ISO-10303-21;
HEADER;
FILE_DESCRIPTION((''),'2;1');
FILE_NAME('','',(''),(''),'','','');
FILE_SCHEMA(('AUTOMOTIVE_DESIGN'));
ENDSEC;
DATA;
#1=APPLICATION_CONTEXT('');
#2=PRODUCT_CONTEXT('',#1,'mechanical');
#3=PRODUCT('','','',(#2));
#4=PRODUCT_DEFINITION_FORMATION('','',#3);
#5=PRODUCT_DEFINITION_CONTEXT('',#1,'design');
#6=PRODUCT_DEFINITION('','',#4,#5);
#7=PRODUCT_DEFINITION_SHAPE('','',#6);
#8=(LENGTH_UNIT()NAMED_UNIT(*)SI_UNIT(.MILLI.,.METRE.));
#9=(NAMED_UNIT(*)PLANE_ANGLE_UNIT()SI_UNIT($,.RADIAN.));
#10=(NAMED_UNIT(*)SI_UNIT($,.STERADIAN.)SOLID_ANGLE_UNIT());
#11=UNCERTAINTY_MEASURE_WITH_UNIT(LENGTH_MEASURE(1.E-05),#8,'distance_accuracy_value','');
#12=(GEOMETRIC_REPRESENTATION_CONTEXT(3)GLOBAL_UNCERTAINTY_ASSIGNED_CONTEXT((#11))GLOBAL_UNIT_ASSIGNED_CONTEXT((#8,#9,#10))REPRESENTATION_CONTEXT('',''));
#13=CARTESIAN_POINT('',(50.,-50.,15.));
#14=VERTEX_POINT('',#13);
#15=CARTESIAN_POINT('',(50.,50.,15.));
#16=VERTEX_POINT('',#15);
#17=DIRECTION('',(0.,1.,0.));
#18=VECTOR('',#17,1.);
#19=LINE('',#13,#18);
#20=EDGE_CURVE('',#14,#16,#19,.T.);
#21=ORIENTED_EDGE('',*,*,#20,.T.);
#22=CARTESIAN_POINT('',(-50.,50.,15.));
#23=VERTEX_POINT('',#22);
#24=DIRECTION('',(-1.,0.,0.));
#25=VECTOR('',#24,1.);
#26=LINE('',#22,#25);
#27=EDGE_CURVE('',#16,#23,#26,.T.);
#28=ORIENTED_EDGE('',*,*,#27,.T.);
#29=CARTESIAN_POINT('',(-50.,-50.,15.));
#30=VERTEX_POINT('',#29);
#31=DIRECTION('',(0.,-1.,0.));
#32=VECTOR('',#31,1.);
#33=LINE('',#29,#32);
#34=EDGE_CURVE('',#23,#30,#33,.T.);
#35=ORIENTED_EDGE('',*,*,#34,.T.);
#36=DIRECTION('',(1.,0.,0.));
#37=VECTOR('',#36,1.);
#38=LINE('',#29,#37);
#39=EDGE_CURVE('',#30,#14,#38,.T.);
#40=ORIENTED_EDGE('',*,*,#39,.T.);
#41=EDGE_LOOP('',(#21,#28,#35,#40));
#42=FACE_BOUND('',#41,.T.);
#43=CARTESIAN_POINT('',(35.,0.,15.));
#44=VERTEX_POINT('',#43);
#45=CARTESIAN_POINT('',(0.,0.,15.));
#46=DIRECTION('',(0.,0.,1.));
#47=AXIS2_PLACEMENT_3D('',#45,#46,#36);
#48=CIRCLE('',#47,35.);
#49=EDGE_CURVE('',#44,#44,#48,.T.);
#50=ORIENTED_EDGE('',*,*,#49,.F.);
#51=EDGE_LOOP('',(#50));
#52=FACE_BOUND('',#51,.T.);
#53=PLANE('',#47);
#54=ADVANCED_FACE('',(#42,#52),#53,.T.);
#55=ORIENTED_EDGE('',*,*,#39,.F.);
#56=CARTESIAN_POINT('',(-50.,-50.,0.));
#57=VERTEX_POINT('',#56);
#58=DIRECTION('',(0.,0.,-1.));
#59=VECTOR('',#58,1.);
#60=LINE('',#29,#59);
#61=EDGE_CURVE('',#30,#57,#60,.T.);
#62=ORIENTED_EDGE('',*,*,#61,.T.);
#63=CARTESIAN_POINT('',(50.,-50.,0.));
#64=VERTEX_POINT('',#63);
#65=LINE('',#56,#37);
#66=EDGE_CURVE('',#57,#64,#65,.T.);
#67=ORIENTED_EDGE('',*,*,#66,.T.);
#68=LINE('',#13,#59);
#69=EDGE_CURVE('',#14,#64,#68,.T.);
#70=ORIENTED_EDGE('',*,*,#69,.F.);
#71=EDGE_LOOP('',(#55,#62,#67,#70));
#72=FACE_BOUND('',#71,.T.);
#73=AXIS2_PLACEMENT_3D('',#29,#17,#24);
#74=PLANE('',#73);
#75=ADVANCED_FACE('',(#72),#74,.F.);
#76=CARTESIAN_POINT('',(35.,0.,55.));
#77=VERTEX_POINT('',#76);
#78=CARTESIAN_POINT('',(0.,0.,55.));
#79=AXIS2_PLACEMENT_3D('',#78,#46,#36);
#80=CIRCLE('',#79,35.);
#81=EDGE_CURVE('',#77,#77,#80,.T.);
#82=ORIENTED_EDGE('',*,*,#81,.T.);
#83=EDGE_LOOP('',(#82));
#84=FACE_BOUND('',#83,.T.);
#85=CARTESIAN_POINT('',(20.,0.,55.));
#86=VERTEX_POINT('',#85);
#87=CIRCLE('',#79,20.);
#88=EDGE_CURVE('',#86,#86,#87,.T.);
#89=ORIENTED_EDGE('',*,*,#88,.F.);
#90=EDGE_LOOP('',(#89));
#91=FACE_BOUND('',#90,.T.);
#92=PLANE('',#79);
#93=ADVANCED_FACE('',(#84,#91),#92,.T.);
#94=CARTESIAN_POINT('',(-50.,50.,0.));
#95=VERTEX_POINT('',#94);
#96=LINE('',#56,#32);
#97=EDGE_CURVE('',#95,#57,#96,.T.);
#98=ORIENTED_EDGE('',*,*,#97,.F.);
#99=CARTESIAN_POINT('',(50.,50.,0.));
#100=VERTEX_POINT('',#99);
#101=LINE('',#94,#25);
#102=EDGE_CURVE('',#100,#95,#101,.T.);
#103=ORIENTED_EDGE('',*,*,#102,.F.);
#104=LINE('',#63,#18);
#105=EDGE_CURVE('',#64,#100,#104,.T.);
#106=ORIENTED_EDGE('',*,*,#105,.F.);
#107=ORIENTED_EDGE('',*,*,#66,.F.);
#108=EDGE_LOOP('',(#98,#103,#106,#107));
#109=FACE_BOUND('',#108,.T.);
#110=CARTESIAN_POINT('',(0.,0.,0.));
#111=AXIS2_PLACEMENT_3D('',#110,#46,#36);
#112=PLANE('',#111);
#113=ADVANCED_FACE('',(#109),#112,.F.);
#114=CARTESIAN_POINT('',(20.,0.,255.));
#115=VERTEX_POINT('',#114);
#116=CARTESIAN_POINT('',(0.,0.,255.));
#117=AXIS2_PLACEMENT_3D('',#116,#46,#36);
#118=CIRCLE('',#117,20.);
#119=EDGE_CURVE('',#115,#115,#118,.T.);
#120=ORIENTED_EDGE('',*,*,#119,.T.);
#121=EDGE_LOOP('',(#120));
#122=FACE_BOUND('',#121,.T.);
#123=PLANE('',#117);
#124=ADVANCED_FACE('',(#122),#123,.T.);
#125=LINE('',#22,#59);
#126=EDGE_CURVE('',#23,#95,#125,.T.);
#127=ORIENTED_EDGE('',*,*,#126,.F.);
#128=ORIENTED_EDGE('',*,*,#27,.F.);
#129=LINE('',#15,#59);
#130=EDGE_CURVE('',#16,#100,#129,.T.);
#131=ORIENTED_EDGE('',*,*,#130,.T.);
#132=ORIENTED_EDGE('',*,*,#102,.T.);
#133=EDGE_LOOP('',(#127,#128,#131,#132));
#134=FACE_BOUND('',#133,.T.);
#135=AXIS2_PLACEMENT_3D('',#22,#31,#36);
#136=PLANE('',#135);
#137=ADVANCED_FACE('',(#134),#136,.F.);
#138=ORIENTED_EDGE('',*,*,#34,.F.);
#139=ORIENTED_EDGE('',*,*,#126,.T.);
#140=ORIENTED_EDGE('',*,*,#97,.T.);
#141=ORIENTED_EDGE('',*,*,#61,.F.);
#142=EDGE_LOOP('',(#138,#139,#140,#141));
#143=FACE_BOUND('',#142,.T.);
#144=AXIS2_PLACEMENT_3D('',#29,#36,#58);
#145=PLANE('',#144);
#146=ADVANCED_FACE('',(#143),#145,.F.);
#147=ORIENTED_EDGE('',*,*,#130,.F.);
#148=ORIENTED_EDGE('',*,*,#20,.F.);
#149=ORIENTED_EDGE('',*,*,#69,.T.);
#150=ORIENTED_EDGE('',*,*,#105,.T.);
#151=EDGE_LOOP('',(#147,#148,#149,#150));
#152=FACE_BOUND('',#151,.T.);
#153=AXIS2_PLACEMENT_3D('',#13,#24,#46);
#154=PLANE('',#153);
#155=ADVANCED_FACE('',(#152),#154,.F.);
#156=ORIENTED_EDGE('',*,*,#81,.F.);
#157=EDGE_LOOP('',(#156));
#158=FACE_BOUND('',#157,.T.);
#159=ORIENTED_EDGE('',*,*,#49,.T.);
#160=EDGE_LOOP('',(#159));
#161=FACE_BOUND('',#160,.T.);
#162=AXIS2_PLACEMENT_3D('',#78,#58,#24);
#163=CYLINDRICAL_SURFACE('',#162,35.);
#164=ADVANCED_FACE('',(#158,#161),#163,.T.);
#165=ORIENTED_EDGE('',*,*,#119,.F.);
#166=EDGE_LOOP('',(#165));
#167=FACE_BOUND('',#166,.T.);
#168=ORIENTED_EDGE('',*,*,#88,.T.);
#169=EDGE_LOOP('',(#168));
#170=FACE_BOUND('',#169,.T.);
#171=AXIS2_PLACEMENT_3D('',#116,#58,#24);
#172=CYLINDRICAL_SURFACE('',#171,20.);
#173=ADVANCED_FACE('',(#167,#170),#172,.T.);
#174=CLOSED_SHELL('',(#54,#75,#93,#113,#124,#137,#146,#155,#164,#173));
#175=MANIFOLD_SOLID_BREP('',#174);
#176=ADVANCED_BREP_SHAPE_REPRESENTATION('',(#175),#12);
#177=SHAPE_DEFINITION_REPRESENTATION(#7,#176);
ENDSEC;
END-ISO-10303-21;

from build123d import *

# Parameters (mm, degrees)
F_1_BASE_W               = 100
F_1_BASE_H               = 100
RESSALTO_EXTRUS_O1_DEPTH = 15
F_2_BASE_EIXO_R          = 35
RESSALTO_EXTRUS_O2_DEPTH = 40
ESBO_O3_R                = 20
RESSALTO_EXTRUS_O3_DEPTH = 200


with BuildPart() as part:
    # 1_Base → Ressalto-extrusão1 (new body)
    with BuildSketch(Plane(origin=(0, 0, 0), x_dir=(0, 1, 0), z_dir=(0, 0, 1))):
        Rectangle(F_1_BASE_W, F_1_BASE_H)
    extrude(amount=RESSALTO_EXTRUS_O1_DEPTH)

    # 2_Base_eixo → Ressalto-extrusão2 (add)
    with BuildSketch(Plane.XY.offset(15)):
        Circle(F_2_BASE_EIXO_R)
    extrude(amount=RESSALTO_EXTRUS_O2_DEPTH)

    # Esboço3 → Ressalto-extrusão3 (add)
    with BuildSketch(Plane.XY.offset(55)):
        Circle(ESBO_O3_R)
    extrude(amount=RESSALTO_EXTRUS_O3_DEPTH)


solid = part.part
